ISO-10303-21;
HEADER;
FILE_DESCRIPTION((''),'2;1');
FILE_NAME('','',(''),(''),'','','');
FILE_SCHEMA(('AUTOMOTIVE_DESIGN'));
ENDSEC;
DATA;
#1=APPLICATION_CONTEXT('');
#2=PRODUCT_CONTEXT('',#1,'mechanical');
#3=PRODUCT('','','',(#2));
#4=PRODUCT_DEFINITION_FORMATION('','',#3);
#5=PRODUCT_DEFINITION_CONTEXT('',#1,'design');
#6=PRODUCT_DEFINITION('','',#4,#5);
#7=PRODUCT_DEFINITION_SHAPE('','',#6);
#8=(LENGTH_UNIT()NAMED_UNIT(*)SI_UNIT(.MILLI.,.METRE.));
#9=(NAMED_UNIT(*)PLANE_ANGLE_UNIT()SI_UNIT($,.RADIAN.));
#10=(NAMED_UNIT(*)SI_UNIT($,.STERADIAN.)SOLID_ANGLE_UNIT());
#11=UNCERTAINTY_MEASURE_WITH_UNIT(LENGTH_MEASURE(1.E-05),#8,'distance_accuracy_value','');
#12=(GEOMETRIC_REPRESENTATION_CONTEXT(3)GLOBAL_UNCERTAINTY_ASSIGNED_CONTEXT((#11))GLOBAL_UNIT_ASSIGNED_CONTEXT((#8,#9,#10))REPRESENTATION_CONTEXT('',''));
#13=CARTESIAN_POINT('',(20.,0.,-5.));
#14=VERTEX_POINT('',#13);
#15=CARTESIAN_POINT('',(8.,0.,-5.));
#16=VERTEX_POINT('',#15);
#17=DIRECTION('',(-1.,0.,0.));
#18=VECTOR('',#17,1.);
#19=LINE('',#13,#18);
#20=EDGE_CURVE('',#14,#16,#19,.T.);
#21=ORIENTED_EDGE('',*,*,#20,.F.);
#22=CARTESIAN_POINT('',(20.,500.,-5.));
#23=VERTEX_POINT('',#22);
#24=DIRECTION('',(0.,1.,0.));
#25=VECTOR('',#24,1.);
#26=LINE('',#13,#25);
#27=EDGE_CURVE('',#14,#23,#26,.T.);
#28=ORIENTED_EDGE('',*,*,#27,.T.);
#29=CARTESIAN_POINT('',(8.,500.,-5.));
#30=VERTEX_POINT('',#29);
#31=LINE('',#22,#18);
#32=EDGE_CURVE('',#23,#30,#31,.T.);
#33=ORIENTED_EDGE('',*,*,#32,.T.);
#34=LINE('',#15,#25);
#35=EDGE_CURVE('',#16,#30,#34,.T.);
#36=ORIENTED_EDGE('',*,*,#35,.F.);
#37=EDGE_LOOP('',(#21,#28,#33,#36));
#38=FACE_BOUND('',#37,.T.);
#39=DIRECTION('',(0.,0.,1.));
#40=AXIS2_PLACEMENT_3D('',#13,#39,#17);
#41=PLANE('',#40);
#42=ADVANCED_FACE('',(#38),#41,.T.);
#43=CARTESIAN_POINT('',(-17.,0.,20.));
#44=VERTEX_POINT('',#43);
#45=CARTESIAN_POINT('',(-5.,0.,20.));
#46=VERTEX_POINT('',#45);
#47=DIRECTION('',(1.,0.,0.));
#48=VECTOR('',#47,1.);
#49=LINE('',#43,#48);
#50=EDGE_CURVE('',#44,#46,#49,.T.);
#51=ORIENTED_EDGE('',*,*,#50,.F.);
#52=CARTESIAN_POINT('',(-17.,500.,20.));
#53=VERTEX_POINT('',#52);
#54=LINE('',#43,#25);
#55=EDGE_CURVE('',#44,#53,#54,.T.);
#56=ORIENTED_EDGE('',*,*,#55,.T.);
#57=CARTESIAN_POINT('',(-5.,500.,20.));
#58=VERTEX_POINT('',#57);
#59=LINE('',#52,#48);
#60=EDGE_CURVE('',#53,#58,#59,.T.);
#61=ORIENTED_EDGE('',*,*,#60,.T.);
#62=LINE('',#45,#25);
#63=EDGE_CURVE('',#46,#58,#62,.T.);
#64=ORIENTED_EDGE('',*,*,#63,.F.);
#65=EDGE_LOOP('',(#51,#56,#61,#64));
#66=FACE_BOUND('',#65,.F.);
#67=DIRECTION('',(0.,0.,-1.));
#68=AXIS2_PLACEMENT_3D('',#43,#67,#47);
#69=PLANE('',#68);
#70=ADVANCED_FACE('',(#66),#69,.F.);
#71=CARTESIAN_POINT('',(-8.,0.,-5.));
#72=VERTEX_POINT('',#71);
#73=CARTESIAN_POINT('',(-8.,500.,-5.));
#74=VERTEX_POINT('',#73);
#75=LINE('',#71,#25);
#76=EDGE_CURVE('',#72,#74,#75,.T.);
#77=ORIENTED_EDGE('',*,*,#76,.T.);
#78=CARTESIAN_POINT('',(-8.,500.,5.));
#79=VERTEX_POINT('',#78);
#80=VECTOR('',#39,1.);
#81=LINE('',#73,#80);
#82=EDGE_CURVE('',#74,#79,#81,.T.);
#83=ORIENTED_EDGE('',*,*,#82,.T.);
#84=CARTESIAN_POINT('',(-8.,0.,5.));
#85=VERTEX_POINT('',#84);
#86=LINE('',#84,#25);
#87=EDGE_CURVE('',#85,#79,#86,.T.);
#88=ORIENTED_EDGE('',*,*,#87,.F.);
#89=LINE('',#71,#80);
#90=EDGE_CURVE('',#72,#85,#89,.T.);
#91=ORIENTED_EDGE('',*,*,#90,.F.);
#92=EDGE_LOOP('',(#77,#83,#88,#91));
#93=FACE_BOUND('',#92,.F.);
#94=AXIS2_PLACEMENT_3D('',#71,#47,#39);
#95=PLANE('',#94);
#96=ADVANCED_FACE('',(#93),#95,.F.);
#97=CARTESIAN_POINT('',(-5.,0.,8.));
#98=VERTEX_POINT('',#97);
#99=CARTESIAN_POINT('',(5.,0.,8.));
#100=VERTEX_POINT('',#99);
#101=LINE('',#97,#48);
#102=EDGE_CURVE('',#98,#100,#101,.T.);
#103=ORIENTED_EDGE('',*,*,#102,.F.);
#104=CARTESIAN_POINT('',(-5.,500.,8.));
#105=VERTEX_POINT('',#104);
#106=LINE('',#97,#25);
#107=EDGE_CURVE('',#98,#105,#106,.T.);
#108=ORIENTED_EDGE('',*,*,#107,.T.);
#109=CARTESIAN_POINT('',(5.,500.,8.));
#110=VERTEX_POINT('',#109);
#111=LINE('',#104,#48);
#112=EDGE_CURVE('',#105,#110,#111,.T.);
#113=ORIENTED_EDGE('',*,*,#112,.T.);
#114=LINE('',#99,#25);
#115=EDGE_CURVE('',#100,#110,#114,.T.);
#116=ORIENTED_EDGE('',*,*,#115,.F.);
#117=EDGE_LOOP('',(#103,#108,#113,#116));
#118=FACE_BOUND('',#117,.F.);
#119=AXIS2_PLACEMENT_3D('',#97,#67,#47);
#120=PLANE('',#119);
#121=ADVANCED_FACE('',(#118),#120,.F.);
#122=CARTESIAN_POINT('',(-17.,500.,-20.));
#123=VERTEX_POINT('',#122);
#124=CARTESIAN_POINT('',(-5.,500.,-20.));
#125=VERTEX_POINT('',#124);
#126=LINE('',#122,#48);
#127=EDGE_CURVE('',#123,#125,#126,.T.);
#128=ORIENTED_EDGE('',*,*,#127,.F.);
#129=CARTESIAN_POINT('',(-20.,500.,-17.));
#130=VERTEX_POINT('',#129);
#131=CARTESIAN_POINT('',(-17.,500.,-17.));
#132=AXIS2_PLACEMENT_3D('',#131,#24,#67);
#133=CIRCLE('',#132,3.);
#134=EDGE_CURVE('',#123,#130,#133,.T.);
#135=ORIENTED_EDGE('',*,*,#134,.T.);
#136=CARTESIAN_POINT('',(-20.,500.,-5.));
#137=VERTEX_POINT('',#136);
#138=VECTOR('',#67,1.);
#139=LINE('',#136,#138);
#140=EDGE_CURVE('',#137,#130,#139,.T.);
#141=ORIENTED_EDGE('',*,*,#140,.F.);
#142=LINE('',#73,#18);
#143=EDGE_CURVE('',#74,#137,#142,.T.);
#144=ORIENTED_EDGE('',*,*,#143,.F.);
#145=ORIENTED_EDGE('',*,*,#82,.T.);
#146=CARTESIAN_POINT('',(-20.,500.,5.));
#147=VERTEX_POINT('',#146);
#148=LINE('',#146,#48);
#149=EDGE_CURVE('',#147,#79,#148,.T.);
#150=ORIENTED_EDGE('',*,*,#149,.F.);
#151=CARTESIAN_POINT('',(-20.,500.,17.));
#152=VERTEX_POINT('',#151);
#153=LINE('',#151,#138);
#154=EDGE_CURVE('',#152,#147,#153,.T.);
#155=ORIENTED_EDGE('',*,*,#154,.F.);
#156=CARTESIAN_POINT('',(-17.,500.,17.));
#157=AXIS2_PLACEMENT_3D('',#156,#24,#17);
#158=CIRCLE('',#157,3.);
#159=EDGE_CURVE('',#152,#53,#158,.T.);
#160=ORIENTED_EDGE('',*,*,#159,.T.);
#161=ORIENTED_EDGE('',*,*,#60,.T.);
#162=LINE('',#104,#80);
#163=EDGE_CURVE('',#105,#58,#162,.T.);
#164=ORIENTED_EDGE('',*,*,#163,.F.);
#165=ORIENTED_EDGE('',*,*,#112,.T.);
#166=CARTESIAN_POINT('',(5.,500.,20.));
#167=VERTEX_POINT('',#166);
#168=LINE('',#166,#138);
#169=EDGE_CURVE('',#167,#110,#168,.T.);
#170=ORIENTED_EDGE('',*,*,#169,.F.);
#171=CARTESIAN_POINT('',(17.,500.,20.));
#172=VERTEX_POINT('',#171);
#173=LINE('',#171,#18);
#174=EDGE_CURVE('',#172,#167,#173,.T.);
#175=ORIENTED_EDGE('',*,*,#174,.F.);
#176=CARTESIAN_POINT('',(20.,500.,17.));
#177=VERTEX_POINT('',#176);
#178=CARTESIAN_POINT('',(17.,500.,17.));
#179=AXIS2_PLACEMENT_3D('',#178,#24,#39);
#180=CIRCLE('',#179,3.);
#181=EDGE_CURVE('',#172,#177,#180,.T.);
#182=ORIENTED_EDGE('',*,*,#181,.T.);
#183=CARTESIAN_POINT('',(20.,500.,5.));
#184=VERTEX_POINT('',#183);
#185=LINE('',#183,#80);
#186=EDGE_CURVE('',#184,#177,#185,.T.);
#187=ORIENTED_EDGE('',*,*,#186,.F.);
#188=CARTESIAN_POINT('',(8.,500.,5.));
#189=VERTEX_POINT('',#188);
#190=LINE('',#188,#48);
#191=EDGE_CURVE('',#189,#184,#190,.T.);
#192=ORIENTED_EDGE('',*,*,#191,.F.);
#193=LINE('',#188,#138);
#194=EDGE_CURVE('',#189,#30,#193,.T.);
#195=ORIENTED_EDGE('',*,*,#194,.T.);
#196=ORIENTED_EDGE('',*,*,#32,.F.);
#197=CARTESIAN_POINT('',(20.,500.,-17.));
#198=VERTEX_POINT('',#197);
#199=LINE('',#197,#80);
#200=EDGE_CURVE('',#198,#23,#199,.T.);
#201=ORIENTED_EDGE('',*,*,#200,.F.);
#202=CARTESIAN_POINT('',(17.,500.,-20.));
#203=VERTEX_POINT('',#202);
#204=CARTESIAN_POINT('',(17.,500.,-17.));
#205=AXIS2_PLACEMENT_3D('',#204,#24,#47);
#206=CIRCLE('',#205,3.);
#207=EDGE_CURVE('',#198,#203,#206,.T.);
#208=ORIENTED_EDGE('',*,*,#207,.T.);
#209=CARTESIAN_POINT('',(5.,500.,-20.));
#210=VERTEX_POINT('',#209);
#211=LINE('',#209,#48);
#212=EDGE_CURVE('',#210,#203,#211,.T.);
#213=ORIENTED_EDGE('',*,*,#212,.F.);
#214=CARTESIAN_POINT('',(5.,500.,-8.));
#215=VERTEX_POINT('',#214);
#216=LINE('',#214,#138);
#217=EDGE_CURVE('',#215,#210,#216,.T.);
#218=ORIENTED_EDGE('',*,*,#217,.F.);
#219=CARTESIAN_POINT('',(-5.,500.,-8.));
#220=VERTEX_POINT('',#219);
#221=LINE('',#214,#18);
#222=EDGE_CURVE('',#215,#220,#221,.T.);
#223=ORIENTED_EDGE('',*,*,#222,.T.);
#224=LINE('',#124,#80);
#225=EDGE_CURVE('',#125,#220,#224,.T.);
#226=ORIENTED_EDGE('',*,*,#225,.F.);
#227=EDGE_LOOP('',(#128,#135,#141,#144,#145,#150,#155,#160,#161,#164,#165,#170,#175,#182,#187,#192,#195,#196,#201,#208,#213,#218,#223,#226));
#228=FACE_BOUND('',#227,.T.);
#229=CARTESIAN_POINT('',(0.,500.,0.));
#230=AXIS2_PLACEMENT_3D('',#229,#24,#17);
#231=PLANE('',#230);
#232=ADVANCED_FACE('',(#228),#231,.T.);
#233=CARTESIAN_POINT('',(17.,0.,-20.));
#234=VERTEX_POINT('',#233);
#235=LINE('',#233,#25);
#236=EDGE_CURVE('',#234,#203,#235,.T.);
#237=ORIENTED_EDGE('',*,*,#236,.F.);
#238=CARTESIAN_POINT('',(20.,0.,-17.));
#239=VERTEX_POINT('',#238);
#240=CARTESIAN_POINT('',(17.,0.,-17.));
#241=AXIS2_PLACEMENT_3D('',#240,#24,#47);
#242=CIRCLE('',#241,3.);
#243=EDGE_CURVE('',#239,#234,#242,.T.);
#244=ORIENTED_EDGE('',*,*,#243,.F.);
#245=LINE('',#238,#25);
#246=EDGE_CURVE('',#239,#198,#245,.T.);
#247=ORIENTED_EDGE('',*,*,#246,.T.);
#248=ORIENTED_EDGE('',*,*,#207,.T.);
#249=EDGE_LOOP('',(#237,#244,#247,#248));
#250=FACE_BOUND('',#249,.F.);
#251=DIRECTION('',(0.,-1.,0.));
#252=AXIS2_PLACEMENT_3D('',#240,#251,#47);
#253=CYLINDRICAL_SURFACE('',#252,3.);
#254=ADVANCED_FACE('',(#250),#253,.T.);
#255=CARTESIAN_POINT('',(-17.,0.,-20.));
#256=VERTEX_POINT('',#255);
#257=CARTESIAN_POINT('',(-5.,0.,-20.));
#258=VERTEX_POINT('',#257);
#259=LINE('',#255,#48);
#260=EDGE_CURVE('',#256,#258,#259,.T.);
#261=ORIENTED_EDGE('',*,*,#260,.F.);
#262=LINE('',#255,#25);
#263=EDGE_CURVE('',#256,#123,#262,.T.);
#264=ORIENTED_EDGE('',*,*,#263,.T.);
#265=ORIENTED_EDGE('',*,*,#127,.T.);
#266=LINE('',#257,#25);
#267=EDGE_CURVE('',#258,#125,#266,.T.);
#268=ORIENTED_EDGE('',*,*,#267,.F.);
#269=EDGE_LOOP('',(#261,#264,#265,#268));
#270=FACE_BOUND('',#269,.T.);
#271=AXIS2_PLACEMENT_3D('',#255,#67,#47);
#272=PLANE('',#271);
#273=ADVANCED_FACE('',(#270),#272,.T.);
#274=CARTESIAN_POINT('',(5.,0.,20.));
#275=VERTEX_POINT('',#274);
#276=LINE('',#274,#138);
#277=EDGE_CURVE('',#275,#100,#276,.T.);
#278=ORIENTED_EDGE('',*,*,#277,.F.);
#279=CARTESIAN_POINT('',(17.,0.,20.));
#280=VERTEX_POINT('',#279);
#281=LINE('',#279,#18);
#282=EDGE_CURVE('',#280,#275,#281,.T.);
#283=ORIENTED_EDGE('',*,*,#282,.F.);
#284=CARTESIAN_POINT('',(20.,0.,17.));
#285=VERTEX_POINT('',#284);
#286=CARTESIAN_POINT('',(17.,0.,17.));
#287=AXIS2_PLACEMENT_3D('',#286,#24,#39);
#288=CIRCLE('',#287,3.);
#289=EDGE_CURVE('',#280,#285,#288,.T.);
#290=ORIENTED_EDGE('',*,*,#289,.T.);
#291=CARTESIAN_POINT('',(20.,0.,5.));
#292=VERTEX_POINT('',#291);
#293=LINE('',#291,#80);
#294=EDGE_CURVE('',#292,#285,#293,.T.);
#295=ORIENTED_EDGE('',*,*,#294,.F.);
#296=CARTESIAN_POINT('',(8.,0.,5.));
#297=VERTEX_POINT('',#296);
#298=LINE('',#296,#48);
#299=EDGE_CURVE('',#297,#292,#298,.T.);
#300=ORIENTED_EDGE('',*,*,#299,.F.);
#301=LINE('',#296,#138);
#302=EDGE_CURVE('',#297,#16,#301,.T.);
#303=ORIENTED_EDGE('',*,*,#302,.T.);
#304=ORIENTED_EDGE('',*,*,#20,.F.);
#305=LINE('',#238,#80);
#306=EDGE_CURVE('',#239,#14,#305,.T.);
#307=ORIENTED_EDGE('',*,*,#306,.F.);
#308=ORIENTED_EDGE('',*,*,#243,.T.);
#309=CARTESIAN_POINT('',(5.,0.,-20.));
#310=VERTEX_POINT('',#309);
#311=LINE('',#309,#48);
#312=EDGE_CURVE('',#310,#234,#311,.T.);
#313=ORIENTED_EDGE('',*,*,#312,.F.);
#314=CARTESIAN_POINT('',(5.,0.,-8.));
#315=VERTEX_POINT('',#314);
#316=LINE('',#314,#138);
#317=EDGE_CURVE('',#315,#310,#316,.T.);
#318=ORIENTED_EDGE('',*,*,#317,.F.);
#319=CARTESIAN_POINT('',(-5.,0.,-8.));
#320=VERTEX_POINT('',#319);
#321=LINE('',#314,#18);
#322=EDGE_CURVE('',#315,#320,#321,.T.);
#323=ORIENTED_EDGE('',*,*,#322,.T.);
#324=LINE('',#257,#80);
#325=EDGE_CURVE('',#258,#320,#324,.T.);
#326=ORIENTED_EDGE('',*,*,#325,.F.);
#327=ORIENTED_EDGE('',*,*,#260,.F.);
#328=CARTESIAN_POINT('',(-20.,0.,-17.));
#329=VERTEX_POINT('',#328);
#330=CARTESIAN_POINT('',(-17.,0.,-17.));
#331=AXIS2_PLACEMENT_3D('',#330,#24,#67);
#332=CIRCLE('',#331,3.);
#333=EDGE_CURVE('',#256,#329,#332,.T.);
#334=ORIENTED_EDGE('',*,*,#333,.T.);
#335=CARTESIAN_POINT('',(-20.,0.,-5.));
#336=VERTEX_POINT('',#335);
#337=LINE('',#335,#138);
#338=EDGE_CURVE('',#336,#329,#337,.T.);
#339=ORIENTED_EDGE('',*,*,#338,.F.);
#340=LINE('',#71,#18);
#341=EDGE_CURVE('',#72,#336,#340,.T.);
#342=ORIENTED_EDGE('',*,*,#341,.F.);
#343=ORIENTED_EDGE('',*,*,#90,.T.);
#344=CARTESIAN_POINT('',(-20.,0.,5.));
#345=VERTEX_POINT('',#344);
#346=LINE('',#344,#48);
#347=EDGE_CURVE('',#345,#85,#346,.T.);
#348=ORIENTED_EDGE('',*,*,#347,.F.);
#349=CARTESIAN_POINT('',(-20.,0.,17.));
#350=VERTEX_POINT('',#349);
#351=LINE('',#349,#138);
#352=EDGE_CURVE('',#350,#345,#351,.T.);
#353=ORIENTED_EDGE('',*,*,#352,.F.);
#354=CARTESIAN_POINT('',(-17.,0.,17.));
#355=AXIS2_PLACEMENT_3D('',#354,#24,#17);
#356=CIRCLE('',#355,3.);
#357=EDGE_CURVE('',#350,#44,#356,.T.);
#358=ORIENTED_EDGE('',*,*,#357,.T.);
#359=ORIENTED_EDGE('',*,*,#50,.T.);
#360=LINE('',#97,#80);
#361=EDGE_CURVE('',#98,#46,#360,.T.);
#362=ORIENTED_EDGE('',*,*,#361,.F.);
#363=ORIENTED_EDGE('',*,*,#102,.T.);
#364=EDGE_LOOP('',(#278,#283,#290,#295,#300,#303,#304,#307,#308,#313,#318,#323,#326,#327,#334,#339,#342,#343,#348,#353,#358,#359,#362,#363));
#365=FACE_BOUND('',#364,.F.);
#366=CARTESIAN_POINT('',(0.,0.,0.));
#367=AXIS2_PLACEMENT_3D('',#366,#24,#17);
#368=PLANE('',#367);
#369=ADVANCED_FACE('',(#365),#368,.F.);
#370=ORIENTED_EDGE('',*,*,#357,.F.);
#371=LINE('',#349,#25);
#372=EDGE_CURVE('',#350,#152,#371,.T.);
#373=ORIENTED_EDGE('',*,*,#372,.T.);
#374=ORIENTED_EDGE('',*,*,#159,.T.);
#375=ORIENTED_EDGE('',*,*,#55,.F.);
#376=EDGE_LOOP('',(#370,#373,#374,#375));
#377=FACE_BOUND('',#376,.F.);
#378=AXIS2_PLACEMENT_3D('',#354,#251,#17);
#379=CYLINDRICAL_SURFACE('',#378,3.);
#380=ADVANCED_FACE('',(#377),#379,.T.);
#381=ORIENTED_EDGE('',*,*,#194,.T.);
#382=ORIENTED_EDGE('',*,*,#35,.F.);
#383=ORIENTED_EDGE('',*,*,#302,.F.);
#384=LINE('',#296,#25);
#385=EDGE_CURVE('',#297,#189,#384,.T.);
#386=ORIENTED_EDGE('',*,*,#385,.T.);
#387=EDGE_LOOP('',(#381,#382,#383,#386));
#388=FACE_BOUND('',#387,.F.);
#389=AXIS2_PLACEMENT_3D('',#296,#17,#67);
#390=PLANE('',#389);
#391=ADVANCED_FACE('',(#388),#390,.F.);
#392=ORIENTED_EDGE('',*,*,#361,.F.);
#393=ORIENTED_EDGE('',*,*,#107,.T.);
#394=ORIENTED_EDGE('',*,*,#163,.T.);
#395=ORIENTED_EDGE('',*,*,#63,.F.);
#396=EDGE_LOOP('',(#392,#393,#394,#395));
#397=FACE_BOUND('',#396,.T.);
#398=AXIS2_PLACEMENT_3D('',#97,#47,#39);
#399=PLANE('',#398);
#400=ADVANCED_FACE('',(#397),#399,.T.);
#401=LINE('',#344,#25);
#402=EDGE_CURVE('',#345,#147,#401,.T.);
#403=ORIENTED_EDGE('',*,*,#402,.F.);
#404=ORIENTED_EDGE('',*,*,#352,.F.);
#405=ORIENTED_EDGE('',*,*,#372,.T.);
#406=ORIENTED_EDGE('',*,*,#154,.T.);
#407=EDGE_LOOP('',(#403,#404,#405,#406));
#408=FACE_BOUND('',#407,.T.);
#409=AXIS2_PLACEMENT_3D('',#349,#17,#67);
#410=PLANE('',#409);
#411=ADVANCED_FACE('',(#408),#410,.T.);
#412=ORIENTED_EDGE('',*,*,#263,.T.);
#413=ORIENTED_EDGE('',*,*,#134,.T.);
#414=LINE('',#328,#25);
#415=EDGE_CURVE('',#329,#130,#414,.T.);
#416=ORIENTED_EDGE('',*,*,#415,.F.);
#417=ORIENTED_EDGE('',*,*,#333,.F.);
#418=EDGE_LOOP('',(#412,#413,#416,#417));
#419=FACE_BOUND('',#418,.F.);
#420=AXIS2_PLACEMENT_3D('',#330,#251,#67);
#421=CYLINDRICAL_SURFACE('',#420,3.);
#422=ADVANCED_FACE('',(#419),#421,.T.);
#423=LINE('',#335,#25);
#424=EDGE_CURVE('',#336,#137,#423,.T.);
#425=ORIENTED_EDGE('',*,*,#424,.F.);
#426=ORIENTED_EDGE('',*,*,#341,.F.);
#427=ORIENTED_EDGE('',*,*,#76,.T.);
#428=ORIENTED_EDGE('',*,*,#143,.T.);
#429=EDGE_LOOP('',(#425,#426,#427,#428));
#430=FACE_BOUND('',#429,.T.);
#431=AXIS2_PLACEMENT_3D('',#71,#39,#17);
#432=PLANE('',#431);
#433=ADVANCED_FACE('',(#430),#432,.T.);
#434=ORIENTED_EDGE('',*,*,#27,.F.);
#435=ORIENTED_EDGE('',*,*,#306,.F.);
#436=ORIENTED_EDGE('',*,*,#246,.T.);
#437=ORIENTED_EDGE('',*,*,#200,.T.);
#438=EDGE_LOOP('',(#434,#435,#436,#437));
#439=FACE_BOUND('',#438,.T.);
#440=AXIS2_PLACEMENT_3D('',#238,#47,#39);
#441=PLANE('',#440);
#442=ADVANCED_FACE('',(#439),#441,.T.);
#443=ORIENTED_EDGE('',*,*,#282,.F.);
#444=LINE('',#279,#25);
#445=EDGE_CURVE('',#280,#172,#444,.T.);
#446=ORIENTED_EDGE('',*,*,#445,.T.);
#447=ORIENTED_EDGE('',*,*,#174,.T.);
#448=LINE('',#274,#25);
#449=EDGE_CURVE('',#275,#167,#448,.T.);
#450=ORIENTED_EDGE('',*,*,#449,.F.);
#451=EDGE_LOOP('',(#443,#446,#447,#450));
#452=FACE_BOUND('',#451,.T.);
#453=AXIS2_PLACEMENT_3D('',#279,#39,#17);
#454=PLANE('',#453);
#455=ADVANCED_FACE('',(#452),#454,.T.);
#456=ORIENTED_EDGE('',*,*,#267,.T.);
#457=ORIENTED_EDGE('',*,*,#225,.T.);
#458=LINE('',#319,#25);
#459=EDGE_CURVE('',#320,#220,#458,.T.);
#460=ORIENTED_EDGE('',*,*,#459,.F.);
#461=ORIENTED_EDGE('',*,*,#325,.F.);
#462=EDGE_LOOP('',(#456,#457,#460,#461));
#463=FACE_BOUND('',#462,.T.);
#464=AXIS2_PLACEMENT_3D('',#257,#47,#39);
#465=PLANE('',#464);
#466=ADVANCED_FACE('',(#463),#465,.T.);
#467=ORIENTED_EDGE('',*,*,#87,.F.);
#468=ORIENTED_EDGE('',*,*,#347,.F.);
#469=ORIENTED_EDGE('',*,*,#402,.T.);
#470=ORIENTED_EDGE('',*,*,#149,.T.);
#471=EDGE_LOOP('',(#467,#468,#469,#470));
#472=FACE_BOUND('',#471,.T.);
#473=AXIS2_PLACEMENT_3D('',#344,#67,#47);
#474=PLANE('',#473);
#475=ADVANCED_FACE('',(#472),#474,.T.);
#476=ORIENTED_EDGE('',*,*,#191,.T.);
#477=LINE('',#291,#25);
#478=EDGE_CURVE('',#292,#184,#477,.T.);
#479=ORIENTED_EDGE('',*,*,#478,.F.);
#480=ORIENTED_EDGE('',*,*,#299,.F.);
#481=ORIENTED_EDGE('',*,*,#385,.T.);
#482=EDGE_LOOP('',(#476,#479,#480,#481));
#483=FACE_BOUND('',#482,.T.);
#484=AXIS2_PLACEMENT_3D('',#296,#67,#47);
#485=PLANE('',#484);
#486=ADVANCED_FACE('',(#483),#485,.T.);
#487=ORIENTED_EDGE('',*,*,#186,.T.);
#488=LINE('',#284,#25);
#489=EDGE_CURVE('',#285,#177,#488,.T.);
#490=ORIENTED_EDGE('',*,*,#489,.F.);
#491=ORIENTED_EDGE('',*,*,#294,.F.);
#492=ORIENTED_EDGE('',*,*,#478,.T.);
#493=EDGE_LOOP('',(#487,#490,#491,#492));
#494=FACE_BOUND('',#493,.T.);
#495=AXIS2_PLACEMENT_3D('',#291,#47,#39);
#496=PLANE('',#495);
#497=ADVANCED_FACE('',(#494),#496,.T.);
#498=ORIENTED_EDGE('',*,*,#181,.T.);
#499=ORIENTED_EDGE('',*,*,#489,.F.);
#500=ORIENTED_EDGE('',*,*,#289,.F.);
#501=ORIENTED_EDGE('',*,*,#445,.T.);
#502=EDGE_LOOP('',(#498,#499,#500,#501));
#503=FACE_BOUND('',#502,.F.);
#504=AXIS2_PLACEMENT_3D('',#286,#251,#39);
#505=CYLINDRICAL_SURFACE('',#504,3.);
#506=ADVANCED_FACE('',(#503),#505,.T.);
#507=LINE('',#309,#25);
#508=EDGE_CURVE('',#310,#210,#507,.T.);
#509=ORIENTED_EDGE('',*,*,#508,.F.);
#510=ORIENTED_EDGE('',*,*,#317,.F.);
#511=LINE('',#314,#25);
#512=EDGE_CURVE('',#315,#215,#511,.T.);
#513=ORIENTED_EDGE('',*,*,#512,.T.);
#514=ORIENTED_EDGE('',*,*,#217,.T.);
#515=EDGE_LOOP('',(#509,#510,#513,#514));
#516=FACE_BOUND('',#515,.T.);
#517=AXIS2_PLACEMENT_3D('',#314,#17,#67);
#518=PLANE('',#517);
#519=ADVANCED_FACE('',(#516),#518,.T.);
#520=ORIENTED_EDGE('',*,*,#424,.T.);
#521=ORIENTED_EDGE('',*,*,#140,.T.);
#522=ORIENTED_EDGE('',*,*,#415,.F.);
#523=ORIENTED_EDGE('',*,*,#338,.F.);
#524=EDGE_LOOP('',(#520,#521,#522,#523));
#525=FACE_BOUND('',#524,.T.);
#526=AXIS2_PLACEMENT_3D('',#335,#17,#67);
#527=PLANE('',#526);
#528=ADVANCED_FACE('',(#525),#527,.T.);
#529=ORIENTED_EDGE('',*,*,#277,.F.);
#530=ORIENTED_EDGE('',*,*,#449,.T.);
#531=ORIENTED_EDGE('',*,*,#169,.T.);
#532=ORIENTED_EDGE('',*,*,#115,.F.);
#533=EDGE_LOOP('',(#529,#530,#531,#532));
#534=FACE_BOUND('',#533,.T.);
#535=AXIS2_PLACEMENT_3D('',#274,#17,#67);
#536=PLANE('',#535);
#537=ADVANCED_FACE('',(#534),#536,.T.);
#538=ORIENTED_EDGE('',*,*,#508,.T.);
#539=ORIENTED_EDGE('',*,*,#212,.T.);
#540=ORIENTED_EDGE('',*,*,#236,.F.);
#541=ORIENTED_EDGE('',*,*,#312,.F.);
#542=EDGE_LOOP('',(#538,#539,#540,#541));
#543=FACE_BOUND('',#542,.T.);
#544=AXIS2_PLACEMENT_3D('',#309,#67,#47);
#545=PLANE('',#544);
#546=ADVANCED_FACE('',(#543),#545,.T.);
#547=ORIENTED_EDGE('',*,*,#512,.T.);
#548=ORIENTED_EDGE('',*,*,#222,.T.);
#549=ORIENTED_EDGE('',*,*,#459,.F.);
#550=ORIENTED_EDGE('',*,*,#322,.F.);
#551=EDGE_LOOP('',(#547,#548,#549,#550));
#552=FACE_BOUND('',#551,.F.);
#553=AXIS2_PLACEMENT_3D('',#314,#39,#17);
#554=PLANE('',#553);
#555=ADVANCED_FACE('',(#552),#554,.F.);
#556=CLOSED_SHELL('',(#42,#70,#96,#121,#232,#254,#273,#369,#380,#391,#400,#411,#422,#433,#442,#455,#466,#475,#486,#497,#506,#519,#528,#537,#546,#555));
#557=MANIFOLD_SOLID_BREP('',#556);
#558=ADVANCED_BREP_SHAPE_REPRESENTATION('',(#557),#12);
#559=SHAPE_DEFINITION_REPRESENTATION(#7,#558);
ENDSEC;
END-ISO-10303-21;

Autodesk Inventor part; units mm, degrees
ref_plane "YZ Plane" through (0, 0, 0) normal (1, 0, 0) x (0, 1, 0)
ref_plane "XZ Plane" through (0, 0, 0) normal (0, 1, 0) x (-1, 0, 0)
ref_plane "XY Plane" through (0, 0, 0) normal (0, 0, 1) x (1, 0, 0)
sketch "Sketch1" plane through (0, 0, 0) normal (0, 1, 0) x (-1, 0, 0)
  line L0 (-5, 20) -> (-5, 8)
  line L1 (5, -20) -> (5, -8)
  line L2 (20, 5) -> (8, 5)
  line L3 (-20, -5) -> (-8, -5)
  line L4 (8, -5) -> (20, -5)
  line L5 (-8, 5) -> (-20, 5)
  line L6 (-5, -8) -> (-5, -20)
  line L7 (5, 8) -> (5, 20)
  arc A0 (-17, 20) -> (-20, 17) centre (-17, 17) ccw
  arc A1 (-20, -17) -> (-17, -20) centre (-17, -17) ccw
  arc A2 (17, -20) -> (20, -17) centre (17, -17) ccw
  arc A3 (20, 17) -> (17, 20) centre (17, 17) ccw
  line L8 (20, 17) -> (20, 5)
  line L9 (20, -5) -> (20, -17)
  line L10 (17, -20) -> (5, -20)
  line L11 (-5, -20) -> (-17, -20)
  line L12 (-20, -17) -> (-20, -5)
  line L13 (-20, 5) -> (-20, 17)
  line L14 (-17, 20) -> (-5, 20)
  line L15 (17, 20) -> (5, 20)
  line L16 (5, 8) -> (-5, 8)
  line L17 (-8, 5) -> (-8, -5)
  line L18 (-5, -8) -> (5, -8)
  line L19 (8, -5) -> (8, 5)
  point P0 (0, 0)
extrude "Extrusion1" add sketch "Sketch1" along normal blind 500
properties part number "column"
